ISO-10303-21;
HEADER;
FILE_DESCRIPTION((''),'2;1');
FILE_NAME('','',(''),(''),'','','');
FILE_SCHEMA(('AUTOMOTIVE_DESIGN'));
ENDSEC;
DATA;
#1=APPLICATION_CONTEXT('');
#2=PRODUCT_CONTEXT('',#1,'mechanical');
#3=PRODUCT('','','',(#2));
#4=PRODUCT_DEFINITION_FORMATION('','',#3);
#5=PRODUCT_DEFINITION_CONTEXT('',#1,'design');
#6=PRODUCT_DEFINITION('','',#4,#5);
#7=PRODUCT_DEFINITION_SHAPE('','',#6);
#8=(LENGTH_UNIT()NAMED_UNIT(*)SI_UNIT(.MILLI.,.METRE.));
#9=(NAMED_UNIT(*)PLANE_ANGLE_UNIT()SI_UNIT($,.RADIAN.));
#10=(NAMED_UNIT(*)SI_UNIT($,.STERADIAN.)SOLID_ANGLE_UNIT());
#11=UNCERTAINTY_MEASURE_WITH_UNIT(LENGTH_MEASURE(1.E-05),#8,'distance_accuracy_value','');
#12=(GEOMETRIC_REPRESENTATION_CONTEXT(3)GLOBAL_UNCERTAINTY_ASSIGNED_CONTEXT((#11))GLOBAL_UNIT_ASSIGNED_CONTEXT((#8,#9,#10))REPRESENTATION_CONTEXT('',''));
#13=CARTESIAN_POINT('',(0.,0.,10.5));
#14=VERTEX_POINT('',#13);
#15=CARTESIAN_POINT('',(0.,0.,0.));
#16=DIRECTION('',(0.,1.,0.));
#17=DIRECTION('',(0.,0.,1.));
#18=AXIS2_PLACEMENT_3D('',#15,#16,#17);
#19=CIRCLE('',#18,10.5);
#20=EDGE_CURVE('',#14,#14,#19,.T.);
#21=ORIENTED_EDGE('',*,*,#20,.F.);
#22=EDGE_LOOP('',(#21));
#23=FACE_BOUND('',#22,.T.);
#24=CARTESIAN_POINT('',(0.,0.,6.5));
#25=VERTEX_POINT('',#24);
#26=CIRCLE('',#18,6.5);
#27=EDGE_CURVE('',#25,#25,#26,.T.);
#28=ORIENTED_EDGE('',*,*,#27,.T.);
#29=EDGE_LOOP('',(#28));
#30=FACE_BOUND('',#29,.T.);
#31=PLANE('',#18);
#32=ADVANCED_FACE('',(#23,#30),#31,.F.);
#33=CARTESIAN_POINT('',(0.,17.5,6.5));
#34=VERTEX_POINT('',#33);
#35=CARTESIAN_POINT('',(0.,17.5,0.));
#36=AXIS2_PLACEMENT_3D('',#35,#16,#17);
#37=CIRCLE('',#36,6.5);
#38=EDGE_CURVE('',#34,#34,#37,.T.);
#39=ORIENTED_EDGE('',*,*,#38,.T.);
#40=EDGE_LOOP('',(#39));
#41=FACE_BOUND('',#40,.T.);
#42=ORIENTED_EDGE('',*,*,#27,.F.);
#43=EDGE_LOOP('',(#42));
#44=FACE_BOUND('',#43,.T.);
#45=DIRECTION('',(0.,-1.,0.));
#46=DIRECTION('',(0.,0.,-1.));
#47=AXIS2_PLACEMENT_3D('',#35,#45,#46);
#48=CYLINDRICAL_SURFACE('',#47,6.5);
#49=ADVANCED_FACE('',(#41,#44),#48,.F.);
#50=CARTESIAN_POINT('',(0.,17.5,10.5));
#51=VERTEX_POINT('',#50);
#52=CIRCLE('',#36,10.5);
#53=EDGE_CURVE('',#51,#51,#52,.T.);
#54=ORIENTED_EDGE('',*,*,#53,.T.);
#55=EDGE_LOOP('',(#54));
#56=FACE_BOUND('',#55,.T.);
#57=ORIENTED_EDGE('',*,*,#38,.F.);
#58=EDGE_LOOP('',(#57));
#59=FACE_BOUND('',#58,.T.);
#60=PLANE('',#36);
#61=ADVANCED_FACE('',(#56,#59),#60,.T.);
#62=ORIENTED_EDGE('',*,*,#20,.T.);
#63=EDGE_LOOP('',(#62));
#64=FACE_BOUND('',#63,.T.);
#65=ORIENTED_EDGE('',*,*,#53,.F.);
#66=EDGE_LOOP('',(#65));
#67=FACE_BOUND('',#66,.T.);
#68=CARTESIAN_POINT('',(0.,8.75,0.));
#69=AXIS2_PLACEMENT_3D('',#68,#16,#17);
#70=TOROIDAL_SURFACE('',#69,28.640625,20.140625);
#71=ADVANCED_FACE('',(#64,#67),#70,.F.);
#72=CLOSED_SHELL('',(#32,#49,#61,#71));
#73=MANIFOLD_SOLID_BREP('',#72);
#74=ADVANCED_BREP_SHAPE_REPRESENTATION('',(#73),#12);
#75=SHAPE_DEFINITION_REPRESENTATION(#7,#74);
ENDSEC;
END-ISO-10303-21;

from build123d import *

# Parameters (mm, degrees)
SKETCH1_R           = 8.5
SKETCH1_R_2         = 6.5
BOSS_EXTRUDE1_DEPTH = 17.5


with BuildPart() as part:
    # Sketch1 → Boss-Extrude1 (new body)
    with BuildSketch(Plane(origin=(0, 0, 0), x_dir=(1, 0, 0), z_dir=(0, 1, 0))):
        with Locations(Location((0, 0, 0), (0, 0, 270))):
            Circle(SKETCH1_R)
        with Locations(Location((0, 0, 0), (0, 0, 270))):
            Circle(SKETCH1_R_2, mode=Mode.SUBTRACT)
    extrude(amount=BOSS_EXTRUDE1_DEPTH)

    # Sketch2 → Revolve1 (revolve)
    with BuildSketch(Plane.XY):
        with BuildLine():
            Line((6.5, 17.5), (6.5, 0))
            Line((6.5, 0), (10.5, 0))
            ThreePointArc((10.5, 0), (8.5, 8.75), (10.5, 17.5))
            Line((10.5, 17.5), (6.5, 17.5))
        make_face()
    revolve(axis=Axis((0, 65.415, 0), (0, -1, 0)))


solid = part.part
